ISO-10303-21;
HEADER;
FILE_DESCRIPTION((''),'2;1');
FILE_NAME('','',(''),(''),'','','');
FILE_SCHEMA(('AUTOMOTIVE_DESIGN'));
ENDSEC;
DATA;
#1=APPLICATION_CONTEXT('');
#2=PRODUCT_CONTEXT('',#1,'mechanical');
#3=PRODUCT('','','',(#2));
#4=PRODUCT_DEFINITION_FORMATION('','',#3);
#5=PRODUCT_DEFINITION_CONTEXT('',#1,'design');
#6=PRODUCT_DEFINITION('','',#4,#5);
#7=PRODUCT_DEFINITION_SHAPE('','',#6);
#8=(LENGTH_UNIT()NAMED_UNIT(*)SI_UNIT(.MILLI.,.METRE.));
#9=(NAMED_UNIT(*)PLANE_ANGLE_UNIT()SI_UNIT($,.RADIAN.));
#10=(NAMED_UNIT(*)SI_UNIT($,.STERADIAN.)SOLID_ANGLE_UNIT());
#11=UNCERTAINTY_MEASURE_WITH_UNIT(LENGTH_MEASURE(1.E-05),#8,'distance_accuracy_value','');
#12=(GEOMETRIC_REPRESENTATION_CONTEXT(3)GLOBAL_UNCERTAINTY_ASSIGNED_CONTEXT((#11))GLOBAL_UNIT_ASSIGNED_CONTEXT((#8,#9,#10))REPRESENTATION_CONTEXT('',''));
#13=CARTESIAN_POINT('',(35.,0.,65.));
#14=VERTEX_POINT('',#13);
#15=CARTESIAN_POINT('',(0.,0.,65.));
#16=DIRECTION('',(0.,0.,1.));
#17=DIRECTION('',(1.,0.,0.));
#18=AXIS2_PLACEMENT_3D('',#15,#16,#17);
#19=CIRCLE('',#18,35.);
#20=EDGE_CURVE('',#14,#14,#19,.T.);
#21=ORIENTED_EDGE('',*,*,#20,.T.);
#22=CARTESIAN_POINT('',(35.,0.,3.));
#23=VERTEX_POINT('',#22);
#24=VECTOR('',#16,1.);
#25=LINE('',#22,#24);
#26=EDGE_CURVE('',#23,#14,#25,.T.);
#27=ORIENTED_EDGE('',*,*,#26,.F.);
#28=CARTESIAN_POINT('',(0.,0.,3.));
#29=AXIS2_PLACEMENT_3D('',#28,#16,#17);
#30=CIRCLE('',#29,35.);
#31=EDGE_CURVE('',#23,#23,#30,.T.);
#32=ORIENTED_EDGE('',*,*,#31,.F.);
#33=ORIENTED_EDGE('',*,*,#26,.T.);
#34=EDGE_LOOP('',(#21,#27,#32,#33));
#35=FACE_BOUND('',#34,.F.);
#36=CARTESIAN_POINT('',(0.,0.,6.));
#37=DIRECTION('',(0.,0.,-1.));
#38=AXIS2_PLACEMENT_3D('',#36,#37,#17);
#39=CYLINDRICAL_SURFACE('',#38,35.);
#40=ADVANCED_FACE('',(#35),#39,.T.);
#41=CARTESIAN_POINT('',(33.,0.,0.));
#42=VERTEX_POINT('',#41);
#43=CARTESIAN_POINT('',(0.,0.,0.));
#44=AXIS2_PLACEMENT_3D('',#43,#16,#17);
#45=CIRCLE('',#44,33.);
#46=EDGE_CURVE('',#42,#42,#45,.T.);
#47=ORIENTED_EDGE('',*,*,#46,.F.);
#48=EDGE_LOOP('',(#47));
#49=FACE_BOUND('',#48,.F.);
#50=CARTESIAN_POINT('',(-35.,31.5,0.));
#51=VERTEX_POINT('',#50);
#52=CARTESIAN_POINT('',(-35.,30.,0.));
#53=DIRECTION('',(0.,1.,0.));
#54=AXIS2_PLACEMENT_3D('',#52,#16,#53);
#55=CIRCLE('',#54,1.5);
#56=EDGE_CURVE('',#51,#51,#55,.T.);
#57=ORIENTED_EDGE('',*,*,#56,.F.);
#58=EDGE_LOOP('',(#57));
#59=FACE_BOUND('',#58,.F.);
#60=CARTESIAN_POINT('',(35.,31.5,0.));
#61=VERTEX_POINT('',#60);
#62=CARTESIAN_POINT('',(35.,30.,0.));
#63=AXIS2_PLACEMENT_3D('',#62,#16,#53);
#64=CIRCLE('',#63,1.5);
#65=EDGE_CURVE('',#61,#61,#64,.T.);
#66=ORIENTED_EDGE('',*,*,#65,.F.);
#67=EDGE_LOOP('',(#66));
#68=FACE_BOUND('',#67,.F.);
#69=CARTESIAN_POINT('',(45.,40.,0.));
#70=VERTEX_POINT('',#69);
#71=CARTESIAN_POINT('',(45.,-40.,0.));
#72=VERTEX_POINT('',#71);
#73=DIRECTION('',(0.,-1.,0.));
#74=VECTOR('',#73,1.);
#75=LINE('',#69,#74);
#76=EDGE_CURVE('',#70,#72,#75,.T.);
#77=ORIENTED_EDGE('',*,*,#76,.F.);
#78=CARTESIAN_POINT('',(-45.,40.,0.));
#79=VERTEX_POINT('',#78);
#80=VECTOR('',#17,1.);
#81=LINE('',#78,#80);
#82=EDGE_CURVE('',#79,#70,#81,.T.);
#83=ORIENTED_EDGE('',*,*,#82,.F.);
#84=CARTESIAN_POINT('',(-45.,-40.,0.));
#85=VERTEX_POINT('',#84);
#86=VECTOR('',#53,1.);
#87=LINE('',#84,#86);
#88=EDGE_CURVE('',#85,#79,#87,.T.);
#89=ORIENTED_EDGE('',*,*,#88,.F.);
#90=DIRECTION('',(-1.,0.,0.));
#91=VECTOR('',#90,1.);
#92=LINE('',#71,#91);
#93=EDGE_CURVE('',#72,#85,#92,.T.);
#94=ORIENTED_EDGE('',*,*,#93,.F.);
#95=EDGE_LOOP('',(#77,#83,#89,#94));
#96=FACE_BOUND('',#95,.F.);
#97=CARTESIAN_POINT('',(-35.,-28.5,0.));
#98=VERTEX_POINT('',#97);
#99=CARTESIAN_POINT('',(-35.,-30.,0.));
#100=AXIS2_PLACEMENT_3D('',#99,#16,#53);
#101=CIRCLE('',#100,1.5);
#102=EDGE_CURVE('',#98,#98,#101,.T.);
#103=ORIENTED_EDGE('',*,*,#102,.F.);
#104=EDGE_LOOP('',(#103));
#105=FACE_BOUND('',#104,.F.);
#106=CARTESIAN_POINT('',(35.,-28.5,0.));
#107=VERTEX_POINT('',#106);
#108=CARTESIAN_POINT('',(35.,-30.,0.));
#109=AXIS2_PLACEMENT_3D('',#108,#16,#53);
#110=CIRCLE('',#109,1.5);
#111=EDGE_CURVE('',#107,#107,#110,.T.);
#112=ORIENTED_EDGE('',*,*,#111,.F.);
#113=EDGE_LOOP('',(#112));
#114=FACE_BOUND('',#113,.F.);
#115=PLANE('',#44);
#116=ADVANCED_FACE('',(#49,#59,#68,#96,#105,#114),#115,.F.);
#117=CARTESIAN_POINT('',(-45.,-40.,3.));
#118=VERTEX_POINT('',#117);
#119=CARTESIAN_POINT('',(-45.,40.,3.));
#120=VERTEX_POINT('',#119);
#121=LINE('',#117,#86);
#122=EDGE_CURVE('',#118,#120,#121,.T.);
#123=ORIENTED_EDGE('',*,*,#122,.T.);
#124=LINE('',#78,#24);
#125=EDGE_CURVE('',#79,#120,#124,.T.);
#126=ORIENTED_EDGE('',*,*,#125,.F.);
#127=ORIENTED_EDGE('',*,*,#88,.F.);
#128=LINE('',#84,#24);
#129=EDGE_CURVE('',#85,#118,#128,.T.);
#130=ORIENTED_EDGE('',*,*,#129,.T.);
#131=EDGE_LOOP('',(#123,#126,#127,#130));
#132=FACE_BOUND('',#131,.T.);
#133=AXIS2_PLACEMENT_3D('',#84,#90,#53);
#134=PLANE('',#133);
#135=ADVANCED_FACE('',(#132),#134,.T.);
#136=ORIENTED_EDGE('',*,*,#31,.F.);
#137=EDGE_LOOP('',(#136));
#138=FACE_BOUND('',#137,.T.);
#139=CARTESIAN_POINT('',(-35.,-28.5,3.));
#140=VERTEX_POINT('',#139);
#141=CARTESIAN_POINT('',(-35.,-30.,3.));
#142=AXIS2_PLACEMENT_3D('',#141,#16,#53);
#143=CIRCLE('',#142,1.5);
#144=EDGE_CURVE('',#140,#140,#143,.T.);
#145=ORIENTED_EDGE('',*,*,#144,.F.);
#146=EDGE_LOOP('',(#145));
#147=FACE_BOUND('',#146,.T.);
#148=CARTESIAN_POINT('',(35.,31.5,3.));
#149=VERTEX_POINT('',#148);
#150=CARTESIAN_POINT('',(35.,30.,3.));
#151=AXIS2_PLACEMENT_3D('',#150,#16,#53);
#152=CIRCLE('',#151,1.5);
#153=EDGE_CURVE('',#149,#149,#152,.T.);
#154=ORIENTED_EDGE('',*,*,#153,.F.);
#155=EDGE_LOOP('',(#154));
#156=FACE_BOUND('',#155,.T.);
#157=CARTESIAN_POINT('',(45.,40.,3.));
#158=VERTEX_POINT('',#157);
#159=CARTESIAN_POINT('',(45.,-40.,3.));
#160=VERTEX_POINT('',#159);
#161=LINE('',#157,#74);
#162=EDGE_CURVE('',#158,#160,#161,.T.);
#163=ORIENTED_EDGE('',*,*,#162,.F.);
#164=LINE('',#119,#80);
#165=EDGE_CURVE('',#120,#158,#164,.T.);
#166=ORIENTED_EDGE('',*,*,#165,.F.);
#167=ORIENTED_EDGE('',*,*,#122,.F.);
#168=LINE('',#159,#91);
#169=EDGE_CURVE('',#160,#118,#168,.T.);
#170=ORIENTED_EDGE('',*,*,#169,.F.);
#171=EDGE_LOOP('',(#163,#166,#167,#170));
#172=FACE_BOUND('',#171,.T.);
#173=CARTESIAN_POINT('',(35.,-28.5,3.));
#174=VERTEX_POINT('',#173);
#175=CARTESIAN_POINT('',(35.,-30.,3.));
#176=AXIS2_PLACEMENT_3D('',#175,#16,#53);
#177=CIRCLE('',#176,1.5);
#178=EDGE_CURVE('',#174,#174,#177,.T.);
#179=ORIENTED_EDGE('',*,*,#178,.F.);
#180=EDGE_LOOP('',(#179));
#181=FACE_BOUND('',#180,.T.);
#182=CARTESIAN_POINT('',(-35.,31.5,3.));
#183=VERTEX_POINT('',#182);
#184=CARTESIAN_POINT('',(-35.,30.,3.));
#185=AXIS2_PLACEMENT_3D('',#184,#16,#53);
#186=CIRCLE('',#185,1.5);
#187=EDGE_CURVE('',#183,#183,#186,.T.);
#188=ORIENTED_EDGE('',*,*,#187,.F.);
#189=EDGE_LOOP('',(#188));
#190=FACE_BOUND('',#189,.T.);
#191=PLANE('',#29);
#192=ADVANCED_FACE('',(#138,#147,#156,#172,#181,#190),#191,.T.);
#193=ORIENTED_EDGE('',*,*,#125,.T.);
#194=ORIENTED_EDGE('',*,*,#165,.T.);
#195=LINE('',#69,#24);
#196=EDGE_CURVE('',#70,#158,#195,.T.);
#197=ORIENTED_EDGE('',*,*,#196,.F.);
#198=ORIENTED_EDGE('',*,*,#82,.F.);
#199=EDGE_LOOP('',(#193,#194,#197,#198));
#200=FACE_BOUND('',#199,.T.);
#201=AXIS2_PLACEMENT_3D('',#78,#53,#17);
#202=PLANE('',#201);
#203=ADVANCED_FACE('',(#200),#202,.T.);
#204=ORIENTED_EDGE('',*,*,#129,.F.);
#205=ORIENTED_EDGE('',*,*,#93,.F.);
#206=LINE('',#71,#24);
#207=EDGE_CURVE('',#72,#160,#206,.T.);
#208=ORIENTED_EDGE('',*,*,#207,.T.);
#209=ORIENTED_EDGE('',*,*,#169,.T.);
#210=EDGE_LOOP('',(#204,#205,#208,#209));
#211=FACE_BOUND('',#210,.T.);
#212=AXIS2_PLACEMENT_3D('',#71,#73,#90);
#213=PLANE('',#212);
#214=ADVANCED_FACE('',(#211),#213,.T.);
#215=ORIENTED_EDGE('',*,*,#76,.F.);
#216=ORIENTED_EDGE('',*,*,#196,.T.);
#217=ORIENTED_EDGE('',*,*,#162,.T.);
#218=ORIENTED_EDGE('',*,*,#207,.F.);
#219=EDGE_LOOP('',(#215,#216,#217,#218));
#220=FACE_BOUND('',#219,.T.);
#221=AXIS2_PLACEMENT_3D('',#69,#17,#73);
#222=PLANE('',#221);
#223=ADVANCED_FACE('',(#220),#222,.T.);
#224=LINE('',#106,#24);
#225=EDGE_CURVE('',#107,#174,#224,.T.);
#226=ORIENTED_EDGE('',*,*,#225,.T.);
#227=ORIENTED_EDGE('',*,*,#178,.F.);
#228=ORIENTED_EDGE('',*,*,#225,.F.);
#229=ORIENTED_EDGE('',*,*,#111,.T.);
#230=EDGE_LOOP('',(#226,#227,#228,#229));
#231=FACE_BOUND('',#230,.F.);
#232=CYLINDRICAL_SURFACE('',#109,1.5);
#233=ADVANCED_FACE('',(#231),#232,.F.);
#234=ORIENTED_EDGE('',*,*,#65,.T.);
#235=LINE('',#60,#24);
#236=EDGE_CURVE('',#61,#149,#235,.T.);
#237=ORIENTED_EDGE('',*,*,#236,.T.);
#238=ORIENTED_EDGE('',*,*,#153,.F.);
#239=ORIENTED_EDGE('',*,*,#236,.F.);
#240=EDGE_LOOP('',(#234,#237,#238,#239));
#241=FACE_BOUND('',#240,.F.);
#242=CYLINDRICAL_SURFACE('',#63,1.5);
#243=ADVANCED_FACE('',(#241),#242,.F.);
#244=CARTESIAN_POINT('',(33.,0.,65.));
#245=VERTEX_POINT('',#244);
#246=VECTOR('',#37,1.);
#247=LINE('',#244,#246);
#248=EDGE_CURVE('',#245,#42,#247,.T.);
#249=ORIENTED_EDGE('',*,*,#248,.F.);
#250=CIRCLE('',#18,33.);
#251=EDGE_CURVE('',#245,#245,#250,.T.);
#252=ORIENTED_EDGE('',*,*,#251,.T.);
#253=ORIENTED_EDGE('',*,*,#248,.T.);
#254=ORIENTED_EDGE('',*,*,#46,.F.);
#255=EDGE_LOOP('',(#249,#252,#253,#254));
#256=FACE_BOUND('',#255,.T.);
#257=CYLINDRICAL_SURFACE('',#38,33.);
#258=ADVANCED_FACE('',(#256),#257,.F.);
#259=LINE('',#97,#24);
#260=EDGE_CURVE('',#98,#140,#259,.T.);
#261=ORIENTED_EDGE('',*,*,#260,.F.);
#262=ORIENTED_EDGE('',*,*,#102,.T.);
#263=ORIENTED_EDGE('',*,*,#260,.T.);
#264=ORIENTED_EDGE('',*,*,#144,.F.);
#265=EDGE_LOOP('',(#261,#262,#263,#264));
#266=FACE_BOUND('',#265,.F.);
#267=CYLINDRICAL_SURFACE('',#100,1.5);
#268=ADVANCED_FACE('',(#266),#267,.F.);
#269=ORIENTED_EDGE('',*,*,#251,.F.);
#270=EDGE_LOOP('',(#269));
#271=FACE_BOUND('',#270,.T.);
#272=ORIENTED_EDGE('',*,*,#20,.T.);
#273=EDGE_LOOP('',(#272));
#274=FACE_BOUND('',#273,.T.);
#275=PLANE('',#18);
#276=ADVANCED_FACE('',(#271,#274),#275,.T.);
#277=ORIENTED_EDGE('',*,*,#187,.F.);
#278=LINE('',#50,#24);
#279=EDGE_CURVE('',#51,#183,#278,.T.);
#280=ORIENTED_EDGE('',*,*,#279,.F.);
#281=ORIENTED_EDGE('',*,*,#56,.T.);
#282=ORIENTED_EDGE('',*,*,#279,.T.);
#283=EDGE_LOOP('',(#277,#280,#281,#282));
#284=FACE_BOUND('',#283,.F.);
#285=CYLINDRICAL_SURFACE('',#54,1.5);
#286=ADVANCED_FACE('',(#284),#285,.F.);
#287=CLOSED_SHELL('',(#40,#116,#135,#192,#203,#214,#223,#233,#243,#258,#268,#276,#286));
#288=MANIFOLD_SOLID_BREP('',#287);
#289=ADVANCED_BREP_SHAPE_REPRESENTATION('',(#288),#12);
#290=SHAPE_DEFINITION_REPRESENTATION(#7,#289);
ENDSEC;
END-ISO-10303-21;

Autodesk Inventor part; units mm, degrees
ref_plane "YZ Plane" through (0, 0, 0) normal (1, 0, 0) x (0, 1, 0)
ref_plane "XZ Plane" through (0, 0, 0) normal (0, 1, 0) x (-1, 0, 0)
ref_plane "XY Plane" through (0, 0, 0) normal (0, 0, 1) x (1, 0, 0)
sketch "スケッチ1" plane through (0, 0, 0) normal (0, 0, 1) x (1, 0, 0)
  circle A0 centre (0, 0) radius 35
  circle A1 centre (0, 0) radius 33
  line L0 (-45, 40) -> (45, 40)
  line L1 (45, 40) -> (45, -40)
  line L2 (45, -40) -> (-45, -40)
  line L3 (-45, -40) -> (-45, 40)
  line L4 (-45, 40) -> (45, -40) construction
  line L5 (45, 40) -> (-45, -40) construction
  dimension "d0" = 70
  dimension "d1" = 66
  dimension "d2" = 90
  dimension "d3" = 80
extrude "押し出し1" add sketch "スケッチ1" along normal blind 3 contours L0 L1 L2 L3
sketch "スケッチ2" plane through (0, 0, 3) normal (0, 0, 1) x (1, 0, 0)
  circle A0 centre (0, 0) radius 35 projected
  circle A1 centre (0, 0) radius 35
  circle A2 centre (0, 0) radius 33
  dimension "d6" = 66
extrude "押し出し2" add sketch "スケッチ2" along normal blind 3 and the other way blind 3
sketch "スケッチ3" plane through (0, 0, 6) normal (0, 0, 1) x (1, 0, 0)
  circle A0 centre (0, 0) radius 33 projected
  circle A1 centre (0, 0) radius 35 projected
extrude "押し出し3" add sketch "スケッチ3" along normal blind 59
sketch "スケッチ4" plane through (0, 0, 65) normal (0, 0, 1) x (1, 0, 0)
  circle A0 centre (0, 0) radius 33 projected
  circle A1 centre (0, 0) radius 35 projected
sketch "スケッチ5" plane through (0, 0, 0) normal (0, 0, -1) x (-1, 0, 0)
  line L0 (-45, 40) -> (-35, 40)
  line L1 (-35, 40) -> (-35, 30)
  line L2 (-35, 30) -> (-45, 30)
  line L3 (-45, 30) -> (-45, 40)
  line L4 (-45, -40) -> (-35, -40)
  line L5 (-35, -40) -> (-35, -30)
  line L6 (-35, -30) -> (-45, -30)
  line L7 (-45, -30) -> (-45, -40)
  line L8 (45, -40) -> (35, -40)
  line L9 (35, -40) -> (35, -30)
  line L10 (35, -30) -> (45, -30)
  line L11 (45, -30) -> (45, -40)
  line L12 (45, 40) -> (35, 40)
  line L13 (35, 40) -> (35, 30)
  line L14 (35, 30) -> (45, 30)
  line L15 (45, 30) -> (45, 40)
  dimension "d13" = 10
  dimension "d14" = 10
  dimension "d15" = 10
  dimension "d16" = 10
  dimension "d17" = 10
  dimension "d18" = 10
  dimension "d19" = 10
hole "穴1" at (35, 30, 0) at (-35, 30, 0) at (-35, -30, 0) at (35, -30, 0) direction (0, 0, 1) diameter 3 depth 8 tip angle 118
properties part number "知能ロボコン発射口ver2"
